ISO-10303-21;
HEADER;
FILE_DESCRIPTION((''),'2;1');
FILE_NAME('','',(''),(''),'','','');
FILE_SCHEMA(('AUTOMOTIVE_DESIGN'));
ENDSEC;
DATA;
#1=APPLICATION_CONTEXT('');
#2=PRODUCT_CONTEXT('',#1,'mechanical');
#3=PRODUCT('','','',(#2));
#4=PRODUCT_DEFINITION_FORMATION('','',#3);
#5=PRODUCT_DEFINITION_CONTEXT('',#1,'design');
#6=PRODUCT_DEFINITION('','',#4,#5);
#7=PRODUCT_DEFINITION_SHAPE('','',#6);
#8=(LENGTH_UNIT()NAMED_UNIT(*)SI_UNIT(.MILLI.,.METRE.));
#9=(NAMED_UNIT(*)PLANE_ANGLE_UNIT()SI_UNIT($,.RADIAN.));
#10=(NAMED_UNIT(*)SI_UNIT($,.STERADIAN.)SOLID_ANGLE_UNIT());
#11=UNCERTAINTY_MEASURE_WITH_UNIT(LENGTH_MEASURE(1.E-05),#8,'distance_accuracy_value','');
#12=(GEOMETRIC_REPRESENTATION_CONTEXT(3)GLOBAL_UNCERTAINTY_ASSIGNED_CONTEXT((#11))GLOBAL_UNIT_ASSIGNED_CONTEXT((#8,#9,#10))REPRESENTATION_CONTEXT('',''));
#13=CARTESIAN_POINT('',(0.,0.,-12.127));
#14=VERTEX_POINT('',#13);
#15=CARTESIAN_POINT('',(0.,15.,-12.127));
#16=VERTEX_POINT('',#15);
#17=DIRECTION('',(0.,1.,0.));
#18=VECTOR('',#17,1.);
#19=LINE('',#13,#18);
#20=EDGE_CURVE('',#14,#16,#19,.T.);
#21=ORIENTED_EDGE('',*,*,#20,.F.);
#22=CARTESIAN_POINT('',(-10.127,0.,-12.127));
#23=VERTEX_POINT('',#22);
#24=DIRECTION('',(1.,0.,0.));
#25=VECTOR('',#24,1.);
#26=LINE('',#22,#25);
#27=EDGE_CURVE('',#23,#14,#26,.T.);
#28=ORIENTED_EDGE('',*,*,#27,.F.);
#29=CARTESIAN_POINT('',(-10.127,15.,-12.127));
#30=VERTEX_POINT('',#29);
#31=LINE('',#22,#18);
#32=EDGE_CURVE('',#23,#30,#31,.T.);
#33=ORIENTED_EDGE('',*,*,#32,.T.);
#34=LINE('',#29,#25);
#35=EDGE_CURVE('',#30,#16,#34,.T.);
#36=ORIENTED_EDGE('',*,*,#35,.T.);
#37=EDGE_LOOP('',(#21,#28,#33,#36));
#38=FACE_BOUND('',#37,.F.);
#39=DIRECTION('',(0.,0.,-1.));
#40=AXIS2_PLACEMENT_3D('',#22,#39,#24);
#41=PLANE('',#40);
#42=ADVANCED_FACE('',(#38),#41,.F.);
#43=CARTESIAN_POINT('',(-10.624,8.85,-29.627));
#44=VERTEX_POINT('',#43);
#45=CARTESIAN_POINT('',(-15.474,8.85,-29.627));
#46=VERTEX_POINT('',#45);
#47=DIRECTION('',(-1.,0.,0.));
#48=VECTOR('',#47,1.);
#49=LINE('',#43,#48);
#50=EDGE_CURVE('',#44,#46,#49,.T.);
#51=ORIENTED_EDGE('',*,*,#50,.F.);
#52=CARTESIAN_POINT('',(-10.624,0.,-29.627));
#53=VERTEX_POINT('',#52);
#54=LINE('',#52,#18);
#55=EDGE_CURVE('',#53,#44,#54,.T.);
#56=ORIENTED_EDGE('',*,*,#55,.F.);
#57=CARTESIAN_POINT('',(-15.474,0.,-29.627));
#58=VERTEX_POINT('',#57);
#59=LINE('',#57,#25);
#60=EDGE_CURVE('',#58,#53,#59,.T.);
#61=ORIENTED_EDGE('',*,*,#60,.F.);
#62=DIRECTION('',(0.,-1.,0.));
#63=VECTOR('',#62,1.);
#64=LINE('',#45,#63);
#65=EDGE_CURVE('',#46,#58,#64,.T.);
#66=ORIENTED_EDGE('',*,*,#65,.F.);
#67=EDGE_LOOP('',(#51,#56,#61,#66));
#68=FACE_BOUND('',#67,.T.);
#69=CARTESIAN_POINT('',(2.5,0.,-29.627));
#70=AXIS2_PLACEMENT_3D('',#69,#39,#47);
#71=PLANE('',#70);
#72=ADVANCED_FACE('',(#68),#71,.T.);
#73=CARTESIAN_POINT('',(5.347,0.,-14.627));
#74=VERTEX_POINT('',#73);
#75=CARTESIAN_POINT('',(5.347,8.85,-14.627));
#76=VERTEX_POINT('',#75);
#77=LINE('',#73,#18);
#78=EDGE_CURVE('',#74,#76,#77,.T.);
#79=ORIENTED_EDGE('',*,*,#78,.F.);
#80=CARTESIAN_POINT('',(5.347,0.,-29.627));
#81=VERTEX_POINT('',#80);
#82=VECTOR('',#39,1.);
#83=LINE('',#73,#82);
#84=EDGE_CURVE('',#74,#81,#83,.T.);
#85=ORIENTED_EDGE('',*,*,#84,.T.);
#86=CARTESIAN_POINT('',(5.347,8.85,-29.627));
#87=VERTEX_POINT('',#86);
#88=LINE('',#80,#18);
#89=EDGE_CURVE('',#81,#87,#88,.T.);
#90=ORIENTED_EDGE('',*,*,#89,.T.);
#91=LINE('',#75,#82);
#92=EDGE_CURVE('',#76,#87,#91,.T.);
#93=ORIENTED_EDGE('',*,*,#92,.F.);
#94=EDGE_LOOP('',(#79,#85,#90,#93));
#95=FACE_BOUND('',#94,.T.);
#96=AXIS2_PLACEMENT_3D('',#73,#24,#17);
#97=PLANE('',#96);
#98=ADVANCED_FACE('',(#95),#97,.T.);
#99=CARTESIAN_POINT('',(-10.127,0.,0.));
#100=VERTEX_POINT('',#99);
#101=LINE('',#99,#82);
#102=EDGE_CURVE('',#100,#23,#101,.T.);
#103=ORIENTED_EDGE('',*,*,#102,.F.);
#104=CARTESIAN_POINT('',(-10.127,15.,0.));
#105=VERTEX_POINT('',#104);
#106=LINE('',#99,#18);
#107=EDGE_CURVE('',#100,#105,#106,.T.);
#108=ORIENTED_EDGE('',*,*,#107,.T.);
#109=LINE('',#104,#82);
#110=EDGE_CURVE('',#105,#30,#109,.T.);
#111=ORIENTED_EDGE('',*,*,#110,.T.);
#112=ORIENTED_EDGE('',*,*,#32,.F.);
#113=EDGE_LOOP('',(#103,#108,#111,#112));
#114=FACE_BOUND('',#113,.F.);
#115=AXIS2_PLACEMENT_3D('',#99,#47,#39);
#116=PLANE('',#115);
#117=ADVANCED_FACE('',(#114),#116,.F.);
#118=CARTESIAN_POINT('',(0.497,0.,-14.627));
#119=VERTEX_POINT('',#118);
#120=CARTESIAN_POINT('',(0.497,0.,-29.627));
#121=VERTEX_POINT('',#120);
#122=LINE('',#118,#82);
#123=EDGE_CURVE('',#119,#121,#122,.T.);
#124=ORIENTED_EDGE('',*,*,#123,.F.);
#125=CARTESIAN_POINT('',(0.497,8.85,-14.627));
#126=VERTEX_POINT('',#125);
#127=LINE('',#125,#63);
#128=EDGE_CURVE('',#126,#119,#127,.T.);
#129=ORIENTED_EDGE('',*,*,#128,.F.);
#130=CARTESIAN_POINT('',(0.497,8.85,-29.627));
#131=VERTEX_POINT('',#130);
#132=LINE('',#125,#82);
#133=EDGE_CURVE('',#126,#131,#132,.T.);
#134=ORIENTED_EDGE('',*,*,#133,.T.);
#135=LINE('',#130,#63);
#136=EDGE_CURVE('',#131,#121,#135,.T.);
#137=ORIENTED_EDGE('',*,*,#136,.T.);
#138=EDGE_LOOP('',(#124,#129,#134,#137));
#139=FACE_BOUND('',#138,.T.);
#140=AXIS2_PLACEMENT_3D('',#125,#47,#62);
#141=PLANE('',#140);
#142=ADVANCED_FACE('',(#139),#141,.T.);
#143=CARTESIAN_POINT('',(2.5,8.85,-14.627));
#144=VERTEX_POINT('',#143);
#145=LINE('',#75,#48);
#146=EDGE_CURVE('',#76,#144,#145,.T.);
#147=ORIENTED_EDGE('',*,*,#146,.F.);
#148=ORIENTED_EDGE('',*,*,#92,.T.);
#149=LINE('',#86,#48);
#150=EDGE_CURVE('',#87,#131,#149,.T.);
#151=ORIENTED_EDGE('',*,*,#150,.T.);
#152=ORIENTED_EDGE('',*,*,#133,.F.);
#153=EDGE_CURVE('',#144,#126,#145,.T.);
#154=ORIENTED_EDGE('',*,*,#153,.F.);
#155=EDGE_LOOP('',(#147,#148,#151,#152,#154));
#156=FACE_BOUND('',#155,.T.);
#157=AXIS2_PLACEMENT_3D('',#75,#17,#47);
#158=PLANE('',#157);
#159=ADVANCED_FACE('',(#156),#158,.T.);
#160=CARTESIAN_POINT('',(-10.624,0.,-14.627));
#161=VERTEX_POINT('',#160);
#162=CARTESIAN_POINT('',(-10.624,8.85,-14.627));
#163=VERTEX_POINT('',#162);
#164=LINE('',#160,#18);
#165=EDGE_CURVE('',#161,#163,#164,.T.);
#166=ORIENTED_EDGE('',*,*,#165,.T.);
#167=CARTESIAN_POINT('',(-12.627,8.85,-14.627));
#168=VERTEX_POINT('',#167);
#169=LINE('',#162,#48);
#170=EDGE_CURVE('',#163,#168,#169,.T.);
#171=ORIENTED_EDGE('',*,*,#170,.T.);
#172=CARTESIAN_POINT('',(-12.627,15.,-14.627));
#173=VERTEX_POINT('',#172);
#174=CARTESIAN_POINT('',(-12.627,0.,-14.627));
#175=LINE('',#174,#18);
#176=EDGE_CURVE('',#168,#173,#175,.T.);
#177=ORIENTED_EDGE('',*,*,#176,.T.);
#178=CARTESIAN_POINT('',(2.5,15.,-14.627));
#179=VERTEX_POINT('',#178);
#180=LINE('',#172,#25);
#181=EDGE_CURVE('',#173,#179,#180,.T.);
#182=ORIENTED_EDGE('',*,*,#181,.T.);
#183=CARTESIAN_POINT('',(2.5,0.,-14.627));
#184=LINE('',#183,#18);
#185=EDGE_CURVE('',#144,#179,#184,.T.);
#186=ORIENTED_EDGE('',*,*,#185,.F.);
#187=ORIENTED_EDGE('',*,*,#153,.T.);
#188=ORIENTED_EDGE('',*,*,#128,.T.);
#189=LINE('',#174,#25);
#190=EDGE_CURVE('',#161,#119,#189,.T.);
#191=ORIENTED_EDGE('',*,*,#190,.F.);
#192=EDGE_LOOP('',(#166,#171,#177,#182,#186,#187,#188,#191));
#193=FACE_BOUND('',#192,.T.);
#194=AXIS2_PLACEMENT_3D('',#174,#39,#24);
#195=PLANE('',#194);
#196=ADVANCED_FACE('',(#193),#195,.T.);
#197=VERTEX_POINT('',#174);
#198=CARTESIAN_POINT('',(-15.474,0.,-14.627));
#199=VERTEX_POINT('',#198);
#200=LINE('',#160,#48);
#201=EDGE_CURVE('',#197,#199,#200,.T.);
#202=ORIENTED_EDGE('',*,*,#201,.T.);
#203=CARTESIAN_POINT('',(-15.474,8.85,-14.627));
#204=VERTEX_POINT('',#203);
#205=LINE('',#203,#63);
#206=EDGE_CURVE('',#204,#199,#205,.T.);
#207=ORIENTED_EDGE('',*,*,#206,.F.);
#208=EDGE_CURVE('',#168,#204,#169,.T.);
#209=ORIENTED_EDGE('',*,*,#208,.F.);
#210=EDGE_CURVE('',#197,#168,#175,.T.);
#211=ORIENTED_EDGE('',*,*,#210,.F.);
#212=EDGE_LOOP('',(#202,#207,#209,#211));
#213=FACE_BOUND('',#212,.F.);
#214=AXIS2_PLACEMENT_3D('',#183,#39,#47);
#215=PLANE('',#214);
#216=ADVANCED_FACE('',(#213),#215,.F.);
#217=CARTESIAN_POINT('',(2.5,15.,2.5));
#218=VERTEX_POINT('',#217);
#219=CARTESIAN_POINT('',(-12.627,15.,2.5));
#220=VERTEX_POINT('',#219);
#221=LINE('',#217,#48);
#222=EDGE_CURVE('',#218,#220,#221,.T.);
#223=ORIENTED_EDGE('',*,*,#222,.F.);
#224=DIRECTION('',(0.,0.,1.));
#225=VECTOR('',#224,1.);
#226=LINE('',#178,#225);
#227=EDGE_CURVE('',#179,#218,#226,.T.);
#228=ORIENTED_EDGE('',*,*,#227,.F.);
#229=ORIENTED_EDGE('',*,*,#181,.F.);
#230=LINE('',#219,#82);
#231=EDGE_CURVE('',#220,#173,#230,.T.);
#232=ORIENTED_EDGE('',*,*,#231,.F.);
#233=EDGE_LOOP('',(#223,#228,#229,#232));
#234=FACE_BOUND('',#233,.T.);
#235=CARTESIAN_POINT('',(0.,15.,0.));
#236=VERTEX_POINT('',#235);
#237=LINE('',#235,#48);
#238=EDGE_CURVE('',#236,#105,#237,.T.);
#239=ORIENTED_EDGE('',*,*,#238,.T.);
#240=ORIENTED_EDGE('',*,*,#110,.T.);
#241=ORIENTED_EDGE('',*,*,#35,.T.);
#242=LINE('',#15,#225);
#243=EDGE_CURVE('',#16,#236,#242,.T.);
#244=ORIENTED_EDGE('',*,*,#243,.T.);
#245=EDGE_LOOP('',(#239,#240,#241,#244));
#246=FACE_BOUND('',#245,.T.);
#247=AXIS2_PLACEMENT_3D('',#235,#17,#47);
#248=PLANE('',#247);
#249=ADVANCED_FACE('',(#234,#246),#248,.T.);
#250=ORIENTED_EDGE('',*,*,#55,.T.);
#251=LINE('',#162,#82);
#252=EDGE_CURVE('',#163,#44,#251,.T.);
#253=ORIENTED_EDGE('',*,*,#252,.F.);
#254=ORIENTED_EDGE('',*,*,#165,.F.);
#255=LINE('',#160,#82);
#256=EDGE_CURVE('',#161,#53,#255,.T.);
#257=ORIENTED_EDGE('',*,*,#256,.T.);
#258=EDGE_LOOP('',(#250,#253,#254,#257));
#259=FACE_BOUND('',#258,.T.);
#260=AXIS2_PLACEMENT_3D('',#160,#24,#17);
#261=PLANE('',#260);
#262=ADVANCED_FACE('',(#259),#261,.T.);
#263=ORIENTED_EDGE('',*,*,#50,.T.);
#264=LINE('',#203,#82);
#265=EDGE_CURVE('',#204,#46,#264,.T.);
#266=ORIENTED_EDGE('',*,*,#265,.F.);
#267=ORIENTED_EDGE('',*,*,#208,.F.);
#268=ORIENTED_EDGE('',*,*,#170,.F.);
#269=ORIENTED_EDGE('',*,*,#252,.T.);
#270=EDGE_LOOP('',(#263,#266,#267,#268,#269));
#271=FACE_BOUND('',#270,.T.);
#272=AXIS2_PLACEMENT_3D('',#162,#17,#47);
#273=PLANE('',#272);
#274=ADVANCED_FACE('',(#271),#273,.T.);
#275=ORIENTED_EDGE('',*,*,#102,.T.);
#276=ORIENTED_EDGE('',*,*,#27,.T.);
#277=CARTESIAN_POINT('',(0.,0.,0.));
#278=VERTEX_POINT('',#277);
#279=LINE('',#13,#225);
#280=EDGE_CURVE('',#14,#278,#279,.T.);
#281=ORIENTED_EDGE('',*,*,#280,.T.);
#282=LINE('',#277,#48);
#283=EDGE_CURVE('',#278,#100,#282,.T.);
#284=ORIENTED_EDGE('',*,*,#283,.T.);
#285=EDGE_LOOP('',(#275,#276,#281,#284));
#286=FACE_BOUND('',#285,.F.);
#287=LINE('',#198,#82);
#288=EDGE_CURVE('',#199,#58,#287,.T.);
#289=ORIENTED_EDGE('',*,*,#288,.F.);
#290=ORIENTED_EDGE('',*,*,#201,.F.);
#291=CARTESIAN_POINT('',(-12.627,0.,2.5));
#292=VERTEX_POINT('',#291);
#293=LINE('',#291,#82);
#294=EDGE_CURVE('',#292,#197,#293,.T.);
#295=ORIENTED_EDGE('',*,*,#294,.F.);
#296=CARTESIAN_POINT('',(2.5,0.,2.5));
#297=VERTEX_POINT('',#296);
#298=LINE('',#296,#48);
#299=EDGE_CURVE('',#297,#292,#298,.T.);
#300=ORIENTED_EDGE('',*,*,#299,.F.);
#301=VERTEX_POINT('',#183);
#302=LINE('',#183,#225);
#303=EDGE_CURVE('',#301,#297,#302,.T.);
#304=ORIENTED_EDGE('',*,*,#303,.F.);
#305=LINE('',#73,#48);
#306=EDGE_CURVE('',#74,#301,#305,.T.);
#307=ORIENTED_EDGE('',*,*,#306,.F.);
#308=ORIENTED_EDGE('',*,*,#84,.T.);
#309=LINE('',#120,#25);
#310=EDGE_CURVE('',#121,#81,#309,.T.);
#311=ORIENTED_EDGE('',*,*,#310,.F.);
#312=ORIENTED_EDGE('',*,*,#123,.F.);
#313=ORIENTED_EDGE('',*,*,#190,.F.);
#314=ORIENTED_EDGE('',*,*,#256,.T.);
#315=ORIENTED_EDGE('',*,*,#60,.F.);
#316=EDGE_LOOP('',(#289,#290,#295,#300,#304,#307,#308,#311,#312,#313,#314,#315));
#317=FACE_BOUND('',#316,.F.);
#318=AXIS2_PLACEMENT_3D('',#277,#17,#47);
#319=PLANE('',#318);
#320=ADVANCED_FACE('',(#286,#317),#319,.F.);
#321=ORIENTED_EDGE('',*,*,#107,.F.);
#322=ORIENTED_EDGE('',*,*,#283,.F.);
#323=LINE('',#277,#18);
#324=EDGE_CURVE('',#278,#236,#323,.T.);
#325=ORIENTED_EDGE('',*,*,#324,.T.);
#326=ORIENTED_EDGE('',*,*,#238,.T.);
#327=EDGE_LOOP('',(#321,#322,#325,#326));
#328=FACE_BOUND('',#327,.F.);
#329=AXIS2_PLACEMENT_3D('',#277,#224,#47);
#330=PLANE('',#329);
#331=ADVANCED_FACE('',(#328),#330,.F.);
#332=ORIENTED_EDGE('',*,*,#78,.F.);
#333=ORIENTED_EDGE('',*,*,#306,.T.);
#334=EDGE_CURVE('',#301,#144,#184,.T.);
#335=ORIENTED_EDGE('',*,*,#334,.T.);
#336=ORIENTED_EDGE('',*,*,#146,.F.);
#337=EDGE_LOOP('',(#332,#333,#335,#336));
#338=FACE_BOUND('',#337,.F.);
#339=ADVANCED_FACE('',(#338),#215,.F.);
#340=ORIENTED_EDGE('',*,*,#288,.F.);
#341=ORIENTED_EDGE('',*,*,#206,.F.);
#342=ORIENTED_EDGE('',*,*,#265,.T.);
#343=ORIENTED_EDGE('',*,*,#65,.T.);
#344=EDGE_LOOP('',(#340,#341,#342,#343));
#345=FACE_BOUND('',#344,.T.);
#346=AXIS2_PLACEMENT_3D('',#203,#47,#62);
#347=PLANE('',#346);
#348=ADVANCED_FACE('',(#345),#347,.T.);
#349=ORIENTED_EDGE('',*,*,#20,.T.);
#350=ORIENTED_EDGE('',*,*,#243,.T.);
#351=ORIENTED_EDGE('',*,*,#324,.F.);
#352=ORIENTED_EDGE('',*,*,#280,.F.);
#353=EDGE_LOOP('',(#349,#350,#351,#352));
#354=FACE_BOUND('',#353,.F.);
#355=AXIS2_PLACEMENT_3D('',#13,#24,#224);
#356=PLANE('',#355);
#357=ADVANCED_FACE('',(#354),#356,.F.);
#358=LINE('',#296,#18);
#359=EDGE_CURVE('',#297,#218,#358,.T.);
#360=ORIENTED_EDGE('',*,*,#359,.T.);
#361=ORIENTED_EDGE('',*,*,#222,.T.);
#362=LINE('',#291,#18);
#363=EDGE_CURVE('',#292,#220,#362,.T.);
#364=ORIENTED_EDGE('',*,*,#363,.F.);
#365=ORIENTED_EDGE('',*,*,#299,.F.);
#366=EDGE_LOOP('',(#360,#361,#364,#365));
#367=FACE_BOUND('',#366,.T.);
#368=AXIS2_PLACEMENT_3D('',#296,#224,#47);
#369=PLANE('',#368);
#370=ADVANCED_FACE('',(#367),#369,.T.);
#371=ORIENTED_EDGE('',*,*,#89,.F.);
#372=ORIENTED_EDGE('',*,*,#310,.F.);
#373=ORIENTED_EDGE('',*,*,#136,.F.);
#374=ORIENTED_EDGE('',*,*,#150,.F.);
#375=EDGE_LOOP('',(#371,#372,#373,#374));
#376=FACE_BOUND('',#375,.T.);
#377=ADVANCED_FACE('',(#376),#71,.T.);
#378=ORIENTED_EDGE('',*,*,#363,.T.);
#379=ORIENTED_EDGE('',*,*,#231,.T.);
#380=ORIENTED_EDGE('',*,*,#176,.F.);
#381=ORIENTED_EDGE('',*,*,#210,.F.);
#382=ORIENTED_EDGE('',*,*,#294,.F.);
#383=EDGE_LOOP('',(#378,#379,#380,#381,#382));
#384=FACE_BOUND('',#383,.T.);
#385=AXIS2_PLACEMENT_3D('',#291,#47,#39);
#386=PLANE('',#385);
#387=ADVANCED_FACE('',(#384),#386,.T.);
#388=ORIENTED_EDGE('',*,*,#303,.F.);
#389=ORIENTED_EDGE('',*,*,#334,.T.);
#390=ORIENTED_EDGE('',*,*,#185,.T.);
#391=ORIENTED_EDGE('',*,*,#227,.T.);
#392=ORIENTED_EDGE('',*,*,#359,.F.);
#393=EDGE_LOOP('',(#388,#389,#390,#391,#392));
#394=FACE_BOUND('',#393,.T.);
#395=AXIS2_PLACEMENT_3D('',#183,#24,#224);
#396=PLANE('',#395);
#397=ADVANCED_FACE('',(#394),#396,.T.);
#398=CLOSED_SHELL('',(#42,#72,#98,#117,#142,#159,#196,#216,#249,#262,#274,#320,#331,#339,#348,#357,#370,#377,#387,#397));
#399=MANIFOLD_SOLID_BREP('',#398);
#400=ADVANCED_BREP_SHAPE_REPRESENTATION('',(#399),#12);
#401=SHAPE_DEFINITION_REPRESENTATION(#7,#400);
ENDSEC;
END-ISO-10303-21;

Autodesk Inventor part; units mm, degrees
ref_plane "YZ Plane" through (0, 0, 0) normal (1, 0, 0) x (0, 1, 0)
ref_plane "XZ Plane" through (0, 0, 0) normal (0, 1, 0) x (-1, 0, 0)
ref_plane "XY Plane" through (0, 0, 0) normal (0, 0, 1) x (1, 0, 0)
sketch "Sketch1" plane through (0, 0, 0) normal (0, 1, 0) x (-1, 0, 0)
  line L0 (0, 0) -> (10.127, 0)
  line L1 (10.127, 0) -> (10.127, -12.127)
  line L2 (10.127, -12.127) -> (0, -12.127)
  line L3 (0, -12.127) -> (0, 0)
  line L4 (-2.5, 2.5) -> (12.627, 2.5)
  line L5 (12.627, 2.5) -> (12.627, -14.627)
  line L6 (12.627, -14.627) -> (-2.5, -14.627)
  line L7 (-2.5, -14.627) -> (-2.5, 2.5)
  dimension "d5" = 10.127
  dimension "d6" = 12.127
  dimension "d7" = 2.5
  dimension "d8" = 2.5
  dimension "d9" = 2.5
  dimension "d10" = 2.5
extrude "Extrusion2" add sketch "Sketch1" along normal blind 15
sketch "Sketch3" plane through (2.5, 0, -14.627) normal (0, 0, -1) x (-1, 0, 0)
  line L0 (17.974, 0) -> (13.124, 0)
  line L1 (13.124, 0) -> (13.124, 8.85)
  line L2 (13.124, 8.85) -> (17.974, 8.85)
  line L3 (17.974, 8.85) -> (17.974, 0)
  line L4 (2.003, 0) -> (-2.847, 0)
  line L5 (-2.847, 0) -> (-2.847, 8.85)
  line L6 (-2.847, 8.85) -> (2.003, 8.85)
  line L7 (2.003, 8.85) -> (2.003, 0)
  line L8 (15.127, 0) -> (0, 0) projected
  line L9 (7.5635, 0) -> (7.5635, 15)
  line L10 (12.627, 15) -> (2.5, 15) projected
  dimension "d14" = 4.85
  dimension "d15" = 8.85
  dimension "d16" = 4.85
  dimension "d17" = 8.85
  dimension "d18" = 11.121
extrude "Extrusion3" add sketch "Sketch3" along normal blind 15
equation "\"d8\" = d7"
equation "\"d9\" = d7"
equation "\"d10\" = d7"
properties part number "motorMount"
